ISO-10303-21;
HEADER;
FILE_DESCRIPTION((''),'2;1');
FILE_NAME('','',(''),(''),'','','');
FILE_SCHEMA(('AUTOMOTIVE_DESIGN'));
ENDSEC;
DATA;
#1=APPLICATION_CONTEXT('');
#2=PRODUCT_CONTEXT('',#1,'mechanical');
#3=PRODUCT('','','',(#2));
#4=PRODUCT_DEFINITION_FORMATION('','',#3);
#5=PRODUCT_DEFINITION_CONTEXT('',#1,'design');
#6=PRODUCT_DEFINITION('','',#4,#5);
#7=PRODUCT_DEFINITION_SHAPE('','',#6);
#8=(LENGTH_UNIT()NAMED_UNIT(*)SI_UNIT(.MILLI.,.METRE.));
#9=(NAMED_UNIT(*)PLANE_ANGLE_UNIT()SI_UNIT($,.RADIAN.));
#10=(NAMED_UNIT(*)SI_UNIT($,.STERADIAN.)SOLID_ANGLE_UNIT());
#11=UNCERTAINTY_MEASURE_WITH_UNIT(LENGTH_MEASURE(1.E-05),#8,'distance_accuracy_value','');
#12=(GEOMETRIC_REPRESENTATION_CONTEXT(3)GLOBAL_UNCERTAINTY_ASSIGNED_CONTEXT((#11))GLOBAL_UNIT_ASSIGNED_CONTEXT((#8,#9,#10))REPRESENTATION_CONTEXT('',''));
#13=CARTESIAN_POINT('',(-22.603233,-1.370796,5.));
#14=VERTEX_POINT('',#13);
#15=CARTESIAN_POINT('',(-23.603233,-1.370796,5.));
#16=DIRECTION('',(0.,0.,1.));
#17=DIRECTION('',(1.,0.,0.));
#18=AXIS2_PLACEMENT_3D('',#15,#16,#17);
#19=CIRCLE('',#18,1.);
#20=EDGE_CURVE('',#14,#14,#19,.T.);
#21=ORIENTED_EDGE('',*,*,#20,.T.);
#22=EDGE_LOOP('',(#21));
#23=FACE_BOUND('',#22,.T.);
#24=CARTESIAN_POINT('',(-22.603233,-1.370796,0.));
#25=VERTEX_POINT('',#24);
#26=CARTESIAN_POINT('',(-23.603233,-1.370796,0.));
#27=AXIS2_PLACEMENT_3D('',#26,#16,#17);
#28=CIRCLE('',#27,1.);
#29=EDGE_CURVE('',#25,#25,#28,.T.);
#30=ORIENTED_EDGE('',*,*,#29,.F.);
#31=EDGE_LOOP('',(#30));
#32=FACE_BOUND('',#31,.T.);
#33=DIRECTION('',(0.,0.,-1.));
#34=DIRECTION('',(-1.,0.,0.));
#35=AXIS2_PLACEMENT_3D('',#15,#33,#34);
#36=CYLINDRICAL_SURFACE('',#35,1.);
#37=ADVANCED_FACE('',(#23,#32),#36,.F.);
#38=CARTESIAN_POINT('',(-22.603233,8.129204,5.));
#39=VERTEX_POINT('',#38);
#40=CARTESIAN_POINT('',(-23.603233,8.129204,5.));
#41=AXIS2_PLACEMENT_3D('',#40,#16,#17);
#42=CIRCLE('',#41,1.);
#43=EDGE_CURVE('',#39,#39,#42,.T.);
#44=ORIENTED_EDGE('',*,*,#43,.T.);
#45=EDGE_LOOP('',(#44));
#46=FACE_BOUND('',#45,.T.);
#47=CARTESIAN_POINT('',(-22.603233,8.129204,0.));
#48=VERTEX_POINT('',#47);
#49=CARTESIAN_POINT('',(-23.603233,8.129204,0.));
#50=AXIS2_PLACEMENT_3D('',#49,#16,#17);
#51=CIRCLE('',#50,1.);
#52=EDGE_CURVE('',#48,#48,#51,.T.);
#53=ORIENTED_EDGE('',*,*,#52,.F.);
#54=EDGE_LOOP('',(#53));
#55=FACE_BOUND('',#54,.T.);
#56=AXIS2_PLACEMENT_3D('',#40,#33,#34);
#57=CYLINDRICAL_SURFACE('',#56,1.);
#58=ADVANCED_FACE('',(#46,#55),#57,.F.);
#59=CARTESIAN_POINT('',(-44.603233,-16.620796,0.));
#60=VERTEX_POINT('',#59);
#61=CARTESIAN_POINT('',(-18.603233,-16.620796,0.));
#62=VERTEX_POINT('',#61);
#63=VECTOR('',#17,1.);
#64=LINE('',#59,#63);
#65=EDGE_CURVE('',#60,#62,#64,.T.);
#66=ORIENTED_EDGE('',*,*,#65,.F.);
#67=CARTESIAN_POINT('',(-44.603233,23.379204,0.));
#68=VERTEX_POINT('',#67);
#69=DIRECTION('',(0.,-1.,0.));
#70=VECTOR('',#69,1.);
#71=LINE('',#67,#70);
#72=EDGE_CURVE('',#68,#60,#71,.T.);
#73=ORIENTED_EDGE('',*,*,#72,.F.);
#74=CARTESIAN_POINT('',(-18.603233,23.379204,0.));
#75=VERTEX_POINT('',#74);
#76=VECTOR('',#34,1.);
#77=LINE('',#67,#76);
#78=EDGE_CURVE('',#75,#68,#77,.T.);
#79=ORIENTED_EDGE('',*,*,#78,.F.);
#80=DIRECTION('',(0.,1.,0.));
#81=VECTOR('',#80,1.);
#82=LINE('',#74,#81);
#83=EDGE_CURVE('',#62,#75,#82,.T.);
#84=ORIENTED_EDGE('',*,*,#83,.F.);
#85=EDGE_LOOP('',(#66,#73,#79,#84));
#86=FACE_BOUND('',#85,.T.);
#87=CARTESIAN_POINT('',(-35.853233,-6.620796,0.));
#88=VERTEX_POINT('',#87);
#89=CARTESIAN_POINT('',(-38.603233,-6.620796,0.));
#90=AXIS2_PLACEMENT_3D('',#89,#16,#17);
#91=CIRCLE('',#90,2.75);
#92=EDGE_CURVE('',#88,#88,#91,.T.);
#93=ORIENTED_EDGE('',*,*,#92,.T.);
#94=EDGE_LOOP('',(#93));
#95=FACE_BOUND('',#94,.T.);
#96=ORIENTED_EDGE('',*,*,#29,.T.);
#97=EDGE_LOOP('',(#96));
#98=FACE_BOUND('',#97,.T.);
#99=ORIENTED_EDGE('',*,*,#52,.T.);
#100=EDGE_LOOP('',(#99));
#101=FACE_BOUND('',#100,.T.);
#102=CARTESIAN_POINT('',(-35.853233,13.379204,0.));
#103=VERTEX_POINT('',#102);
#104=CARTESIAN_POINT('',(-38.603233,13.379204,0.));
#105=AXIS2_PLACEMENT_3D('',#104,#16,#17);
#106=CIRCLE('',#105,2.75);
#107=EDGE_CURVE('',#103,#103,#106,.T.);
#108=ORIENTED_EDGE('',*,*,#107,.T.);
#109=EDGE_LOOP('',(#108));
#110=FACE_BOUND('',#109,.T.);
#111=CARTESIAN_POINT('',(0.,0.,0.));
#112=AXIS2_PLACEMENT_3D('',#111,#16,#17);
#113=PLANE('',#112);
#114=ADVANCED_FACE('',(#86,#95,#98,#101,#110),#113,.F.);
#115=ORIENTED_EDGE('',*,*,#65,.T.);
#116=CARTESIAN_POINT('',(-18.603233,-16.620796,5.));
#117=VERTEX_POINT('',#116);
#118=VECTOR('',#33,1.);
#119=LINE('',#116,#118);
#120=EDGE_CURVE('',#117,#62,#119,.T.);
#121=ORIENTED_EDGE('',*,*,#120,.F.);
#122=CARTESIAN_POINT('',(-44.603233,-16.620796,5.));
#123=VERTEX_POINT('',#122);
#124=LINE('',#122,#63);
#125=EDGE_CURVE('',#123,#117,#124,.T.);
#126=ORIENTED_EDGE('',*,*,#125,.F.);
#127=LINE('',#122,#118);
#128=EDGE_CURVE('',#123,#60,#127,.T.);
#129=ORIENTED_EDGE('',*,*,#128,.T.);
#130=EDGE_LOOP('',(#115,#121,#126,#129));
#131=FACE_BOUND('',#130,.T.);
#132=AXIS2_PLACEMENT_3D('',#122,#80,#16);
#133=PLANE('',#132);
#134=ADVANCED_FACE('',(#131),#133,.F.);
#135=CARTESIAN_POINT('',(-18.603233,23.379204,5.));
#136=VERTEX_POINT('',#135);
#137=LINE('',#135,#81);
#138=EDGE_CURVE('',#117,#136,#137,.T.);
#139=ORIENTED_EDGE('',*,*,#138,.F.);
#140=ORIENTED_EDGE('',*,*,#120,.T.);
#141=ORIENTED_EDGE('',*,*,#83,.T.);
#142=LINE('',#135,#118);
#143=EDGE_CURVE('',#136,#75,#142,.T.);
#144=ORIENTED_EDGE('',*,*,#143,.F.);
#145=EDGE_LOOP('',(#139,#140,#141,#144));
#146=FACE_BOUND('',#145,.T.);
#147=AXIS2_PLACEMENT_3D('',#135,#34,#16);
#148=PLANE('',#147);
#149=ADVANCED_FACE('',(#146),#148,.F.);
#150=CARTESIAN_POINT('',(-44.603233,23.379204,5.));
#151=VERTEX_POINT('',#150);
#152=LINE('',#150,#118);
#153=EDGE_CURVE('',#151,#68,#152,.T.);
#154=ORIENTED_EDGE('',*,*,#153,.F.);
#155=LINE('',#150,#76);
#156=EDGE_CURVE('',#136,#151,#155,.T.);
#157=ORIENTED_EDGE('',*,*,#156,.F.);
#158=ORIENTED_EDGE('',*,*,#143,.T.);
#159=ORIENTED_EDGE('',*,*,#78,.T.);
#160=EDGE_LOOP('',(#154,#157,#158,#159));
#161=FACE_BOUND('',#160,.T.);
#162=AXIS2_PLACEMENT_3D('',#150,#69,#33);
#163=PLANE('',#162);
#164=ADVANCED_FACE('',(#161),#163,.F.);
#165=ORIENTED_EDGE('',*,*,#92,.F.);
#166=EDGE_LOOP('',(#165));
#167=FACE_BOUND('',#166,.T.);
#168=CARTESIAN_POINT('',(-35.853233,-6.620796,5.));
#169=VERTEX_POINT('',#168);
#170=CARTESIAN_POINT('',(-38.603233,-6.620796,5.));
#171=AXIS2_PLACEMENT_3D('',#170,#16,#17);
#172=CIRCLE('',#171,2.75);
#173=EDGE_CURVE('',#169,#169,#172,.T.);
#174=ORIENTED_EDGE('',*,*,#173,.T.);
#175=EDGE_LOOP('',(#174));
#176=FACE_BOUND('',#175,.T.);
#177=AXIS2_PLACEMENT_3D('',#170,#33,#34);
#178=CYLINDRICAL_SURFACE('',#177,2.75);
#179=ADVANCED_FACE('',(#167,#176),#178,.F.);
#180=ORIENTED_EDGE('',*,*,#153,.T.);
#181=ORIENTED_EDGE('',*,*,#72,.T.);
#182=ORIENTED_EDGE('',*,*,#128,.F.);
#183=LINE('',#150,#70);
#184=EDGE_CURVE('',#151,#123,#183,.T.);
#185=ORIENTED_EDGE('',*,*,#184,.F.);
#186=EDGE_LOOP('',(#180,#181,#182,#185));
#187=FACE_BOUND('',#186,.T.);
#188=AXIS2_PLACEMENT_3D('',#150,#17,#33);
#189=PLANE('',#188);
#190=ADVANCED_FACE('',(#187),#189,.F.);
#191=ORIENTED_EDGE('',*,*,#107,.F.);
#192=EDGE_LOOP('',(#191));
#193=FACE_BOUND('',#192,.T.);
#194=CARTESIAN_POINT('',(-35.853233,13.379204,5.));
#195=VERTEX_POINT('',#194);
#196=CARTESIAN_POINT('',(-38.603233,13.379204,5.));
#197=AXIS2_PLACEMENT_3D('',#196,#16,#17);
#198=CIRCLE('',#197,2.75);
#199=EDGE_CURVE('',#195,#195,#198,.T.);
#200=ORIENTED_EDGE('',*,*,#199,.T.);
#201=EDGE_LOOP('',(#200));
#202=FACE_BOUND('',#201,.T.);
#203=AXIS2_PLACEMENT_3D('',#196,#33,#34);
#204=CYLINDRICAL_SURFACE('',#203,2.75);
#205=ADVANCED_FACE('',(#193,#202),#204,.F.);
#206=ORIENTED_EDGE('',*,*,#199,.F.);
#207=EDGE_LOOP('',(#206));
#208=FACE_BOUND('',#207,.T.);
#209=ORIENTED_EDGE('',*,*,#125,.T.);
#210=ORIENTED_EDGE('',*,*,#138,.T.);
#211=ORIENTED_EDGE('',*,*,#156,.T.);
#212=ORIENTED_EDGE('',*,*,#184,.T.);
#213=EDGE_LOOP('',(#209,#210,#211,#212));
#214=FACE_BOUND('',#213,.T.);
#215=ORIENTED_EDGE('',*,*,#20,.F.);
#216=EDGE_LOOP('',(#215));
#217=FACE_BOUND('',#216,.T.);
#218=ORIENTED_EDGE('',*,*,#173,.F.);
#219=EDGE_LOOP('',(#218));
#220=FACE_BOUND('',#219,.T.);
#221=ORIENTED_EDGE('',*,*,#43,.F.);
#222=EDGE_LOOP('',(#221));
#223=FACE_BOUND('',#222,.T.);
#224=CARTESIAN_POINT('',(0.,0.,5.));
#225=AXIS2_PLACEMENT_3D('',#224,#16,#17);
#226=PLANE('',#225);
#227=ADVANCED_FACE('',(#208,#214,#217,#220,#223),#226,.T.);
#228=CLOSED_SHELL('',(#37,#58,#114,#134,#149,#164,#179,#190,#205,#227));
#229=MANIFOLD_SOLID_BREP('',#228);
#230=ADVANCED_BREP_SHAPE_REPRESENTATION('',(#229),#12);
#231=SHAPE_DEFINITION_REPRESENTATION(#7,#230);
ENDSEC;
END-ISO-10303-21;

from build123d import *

# Parameters (mm, degrees)
ESQUISSE1_W        = 26
ESQUISSE1_H        = 40
ESQUISSE1_R        = 2.75
ESQUISSE1_R_2      = 1
BOSS_EXTRU_1_DEPTH = 5


with BuildPart() as part:
    # Esquisse1 → Boss.-Extru.1 (new body)
    with BuildSketch(Plane.XY):
        with Locations((-31.603233305, 3.379204029)):
            Rectangle(ESQUISSE1_W, ESQUISSE1_H)
        with Locations((-38.603233305, 13.379204029)):
            Circle(ESQUISSE1_R, mode=Mode.SUBTRACT)
        with Locations((-38.603233305, -6.620795971)):
            Circle(ESQUISSE1_R, mode=Mode.SUBTRACT)
        with Locations((-23.603233305, 8.129204029)):
            Circle(ESQUISSE1_R_2, mode=Mode.SUBTRACT)
        with Locations((-23.603233305, -1.370795971)):
            Circle(ESQUISSE1_R_2, mode=Mode.SUBTRACT)
    extrude(amount=BOSS_EXTRU_1_DEPTH)


solid = part.part
